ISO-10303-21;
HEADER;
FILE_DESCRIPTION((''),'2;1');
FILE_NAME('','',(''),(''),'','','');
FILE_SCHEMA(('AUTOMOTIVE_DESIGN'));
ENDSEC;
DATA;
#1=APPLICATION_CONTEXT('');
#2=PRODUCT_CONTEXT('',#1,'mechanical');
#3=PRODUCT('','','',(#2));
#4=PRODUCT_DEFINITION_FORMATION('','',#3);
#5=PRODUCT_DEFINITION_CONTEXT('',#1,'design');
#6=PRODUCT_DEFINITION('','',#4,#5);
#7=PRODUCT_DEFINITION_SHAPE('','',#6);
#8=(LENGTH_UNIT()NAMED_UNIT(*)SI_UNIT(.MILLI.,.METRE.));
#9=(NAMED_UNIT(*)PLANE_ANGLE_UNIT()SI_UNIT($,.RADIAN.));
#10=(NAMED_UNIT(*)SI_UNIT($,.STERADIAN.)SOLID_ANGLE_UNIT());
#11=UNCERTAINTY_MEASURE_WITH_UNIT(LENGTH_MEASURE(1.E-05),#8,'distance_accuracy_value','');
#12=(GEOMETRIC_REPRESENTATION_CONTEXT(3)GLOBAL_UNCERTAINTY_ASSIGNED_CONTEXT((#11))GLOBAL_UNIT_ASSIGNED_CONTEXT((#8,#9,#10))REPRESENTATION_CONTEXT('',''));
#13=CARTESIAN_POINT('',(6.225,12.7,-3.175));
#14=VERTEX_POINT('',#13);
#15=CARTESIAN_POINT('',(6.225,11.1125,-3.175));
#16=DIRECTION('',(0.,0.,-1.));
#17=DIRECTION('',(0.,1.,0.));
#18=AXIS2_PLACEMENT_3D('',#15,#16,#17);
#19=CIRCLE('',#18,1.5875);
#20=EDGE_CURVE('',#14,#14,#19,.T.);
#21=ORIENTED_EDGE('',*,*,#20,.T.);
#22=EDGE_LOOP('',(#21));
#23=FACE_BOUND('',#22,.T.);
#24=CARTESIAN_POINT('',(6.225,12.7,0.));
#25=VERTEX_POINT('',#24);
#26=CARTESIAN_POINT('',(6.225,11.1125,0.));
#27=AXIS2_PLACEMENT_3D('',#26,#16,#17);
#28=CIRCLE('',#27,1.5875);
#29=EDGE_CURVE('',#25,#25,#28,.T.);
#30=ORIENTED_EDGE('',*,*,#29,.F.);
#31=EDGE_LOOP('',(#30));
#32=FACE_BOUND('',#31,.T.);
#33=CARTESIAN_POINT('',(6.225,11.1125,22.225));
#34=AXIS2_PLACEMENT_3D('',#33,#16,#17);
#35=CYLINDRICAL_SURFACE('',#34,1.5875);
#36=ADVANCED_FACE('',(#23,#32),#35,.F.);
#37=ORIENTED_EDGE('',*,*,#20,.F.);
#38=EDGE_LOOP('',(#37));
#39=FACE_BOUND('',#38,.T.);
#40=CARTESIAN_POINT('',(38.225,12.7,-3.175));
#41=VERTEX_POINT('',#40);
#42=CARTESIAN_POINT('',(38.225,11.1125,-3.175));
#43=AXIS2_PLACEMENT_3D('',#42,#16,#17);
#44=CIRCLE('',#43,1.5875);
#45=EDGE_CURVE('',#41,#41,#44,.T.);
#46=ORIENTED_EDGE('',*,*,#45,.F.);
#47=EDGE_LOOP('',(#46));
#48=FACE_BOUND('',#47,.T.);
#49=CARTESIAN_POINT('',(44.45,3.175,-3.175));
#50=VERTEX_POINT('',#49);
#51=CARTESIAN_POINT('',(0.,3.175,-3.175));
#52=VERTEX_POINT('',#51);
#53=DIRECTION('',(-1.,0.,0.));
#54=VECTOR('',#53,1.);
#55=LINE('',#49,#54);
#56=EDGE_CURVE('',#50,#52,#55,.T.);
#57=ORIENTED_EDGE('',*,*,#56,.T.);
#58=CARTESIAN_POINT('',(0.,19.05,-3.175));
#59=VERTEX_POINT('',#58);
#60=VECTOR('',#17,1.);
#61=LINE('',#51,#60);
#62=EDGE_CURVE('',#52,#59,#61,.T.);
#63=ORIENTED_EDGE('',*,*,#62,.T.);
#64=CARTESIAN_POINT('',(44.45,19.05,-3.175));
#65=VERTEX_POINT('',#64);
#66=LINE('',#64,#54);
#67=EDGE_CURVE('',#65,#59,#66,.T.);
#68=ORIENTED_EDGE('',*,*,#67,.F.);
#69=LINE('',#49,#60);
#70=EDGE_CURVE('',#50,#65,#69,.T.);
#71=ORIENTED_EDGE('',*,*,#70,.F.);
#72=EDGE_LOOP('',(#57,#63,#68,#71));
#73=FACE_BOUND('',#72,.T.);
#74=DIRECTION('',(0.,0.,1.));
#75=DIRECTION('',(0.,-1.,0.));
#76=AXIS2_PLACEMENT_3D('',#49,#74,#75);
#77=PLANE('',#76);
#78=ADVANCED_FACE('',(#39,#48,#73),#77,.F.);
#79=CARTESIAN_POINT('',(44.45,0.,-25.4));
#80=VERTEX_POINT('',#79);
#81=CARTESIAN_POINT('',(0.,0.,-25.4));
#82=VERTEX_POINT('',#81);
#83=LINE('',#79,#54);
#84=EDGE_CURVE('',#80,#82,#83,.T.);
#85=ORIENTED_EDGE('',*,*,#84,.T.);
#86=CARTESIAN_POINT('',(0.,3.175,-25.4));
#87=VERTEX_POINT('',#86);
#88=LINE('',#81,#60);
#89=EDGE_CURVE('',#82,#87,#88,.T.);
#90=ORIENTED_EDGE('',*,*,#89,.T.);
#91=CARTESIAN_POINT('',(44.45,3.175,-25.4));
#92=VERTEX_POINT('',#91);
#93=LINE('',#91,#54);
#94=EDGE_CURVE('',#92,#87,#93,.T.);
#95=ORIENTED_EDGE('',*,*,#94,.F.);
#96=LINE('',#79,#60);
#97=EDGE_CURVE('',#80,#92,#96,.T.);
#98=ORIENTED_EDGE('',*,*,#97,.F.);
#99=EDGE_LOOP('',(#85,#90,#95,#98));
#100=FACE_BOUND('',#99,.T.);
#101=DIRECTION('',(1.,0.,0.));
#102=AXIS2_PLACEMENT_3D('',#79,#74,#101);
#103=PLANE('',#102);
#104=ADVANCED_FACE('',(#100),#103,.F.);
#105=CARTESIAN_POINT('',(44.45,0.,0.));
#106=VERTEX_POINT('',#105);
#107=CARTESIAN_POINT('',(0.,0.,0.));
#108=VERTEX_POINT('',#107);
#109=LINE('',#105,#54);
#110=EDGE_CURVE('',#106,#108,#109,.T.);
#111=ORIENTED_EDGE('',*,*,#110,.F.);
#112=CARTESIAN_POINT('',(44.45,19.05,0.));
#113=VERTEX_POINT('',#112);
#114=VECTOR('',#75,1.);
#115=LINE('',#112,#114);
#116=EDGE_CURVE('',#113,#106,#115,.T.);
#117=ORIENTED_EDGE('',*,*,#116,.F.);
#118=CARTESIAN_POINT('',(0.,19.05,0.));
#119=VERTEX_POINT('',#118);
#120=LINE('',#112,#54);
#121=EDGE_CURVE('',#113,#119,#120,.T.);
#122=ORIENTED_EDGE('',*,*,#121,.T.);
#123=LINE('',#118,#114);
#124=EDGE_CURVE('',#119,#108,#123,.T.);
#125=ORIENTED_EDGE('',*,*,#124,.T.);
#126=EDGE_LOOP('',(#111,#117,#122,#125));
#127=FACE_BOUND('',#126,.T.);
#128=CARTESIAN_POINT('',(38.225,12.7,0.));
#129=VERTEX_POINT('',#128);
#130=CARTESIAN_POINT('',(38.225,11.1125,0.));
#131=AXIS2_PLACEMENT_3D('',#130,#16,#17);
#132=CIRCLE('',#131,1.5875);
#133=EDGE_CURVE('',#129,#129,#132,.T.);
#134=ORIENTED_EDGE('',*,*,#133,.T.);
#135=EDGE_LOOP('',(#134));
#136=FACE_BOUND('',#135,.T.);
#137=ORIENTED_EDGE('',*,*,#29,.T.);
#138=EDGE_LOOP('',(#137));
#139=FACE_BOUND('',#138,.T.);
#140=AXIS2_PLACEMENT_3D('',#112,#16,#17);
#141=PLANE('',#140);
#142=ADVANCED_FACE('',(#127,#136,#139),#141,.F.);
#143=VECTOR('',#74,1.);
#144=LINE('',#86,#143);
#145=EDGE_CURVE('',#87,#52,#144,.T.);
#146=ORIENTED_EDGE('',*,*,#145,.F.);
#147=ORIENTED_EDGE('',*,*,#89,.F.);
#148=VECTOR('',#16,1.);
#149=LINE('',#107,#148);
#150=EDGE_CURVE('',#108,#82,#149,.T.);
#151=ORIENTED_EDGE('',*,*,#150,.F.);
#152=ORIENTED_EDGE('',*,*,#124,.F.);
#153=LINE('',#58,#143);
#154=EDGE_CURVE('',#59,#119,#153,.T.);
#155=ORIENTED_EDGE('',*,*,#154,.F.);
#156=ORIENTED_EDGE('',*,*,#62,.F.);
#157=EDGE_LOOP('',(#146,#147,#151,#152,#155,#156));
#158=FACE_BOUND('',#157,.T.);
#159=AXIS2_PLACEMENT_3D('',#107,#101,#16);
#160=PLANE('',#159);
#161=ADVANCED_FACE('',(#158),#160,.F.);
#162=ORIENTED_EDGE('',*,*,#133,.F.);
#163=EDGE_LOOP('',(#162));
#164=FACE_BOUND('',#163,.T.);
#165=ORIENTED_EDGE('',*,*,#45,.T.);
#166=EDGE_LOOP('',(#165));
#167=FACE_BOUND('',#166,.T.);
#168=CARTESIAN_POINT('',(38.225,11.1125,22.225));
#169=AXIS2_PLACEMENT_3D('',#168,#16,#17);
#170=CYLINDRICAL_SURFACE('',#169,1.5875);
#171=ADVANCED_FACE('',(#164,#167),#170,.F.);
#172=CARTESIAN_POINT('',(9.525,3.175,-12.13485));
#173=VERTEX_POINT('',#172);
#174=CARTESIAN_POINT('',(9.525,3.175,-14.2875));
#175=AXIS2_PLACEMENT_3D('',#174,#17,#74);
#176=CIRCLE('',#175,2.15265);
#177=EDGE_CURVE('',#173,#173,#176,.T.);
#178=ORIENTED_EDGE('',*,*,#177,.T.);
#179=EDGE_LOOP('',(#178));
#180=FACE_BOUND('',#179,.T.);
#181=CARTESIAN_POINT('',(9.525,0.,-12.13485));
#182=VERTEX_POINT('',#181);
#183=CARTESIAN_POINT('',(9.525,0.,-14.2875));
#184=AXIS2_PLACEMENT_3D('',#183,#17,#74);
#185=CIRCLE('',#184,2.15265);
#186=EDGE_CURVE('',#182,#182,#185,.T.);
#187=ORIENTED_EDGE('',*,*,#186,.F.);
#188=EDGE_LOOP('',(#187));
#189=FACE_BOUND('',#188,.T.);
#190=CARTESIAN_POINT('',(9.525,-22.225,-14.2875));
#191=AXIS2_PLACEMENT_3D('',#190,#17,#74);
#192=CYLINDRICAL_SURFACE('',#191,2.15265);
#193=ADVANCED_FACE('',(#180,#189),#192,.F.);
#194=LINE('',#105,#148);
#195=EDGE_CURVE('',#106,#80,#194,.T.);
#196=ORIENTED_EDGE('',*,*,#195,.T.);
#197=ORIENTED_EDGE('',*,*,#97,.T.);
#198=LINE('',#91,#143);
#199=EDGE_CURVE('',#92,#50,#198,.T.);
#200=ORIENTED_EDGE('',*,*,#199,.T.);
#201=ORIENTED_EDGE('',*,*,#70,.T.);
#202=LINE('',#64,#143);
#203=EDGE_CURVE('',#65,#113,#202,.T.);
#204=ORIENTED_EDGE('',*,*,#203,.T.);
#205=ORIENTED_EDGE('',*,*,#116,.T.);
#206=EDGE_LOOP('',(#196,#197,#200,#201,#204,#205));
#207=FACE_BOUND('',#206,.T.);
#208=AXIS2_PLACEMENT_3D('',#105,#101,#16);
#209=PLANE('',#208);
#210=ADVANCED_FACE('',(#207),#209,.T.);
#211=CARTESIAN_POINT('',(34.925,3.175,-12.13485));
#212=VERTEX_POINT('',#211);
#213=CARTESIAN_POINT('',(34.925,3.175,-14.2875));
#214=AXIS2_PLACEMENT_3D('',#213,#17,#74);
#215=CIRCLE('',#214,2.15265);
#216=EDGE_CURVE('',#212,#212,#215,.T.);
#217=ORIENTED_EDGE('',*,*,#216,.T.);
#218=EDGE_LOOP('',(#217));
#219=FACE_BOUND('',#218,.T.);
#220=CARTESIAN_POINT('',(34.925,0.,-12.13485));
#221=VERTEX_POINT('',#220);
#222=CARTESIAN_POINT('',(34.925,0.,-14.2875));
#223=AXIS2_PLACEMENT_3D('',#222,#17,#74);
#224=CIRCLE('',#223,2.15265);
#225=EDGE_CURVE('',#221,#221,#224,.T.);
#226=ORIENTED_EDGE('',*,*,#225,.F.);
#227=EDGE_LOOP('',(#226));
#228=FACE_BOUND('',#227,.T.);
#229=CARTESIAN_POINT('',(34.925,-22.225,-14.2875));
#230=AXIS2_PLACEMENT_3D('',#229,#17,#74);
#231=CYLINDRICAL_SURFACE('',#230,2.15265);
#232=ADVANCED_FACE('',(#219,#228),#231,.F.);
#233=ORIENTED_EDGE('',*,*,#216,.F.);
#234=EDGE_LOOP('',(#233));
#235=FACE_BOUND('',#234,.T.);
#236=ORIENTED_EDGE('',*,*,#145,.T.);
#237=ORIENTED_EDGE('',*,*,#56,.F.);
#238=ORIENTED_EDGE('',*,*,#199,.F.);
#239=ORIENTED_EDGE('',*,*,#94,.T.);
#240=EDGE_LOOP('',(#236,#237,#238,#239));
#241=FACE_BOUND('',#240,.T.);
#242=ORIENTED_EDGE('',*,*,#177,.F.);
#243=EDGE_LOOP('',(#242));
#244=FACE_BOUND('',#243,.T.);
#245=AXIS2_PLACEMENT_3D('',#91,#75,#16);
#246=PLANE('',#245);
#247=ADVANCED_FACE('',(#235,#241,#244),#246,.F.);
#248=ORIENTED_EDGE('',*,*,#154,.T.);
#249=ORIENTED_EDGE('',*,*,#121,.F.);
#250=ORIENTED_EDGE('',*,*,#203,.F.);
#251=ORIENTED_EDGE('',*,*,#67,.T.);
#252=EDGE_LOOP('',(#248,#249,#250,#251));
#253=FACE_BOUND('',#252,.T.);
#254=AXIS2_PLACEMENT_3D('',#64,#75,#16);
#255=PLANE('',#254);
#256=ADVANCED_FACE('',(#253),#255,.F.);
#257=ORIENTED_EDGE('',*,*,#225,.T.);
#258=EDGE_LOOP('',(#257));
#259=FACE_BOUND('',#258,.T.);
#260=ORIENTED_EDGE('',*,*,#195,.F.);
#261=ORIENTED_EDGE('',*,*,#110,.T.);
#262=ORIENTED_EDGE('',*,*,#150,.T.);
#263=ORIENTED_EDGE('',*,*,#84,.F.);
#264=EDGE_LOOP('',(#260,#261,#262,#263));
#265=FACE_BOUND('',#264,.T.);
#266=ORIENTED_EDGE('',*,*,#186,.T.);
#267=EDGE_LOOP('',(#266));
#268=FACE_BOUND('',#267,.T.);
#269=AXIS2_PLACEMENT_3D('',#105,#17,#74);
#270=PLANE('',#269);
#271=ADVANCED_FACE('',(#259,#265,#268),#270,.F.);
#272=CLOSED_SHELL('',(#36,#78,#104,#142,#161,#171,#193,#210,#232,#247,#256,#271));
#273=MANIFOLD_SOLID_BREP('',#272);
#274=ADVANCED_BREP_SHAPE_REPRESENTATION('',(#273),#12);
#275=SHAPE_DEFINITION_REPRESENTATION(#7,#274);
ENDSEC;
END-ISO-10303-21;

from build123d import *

# Parameters (mm, degrees)
BOSS_EXTRUDE1_DEPTH = 44.45
SKETCH3_R           = 1.5875
CUT_EXTRUDE1_DEPTH  = 25.4
CUT_EXTRUDE2_DEPTH  = 25.4


with BuildPart() as part:
    # Sketch1 → Boss-Extrude1 (new body)
    with BuildSketch(Plane(origin=(0, 0, 0), x_dir=(0, 0, -1), z_dir=(1, 0, 0))):
        Polygon((0, 19.05), (0, 0), (25.4, 0), (25.4, 3.175), (3.175, 3.175), (3.175, 19.05), align=None)
    extrude(amount=BOSS_EXTRUDE1_DEPTH)

    # Sketch3 → Cut-Extrude1 (cut)
    with BuildSketch(Plane(origin=(0, 0, -3.175), x_dir=(-1, 0, 0), z_dir=(0, 0, -1))):
        with Locations(Location((-38.225, 11.1125, 0), (0, 0, 90))):
            Circle(SKETCH3_R)
        with Locations(Location((-6.225, 11.1125, 0), (0, 0, 90))):
            Circle(SKETCH3_R)
    extrude(amount=-CUT_EXTRUDE1_DEPTH, mode=Mode.SUBTRACT)

    # Sketch4 → Cut-Extrude2 (cut)
    with BuildSketch(Plane(origin=(0, 3.175, 0), x_dir=(1, 0, 0), z_dir=(0, 1, 0))):
        with BuildLine():
            ThreePointArc((37.07765, 14.2875), (34.925, 16.44015), (32.77235, 14.2875))
            Line((32.77235, 14.2875), (34.925, 14.2875))
            Line((34.925, 14.2875), (37.07765, 14.2875))
        make_face()
        with BuildLine():
            Line((34.925, 14.2875), (32.77235, 14.2875))
            ThreePointArc((32.77235, 14.2875), (34.925, 12.13485), (37.07765, 14.2875))
            Line((37.07765, 14.2875), (34.925, 14.2875))
        make_face()
        with BuildLine():
            Line((7.37235, 14.2875), (9.525, 14.2875))
            Line((9.525, 14.2875), (11.67765, 14.2875))
            ThreePointArc((11.67765, 14.2875), (9.525, 16.44015), (7.37235, 14.2875))
        make_face()
        with BuildLine():
            Line((11.67765, 14.2875), (9.525, 14.2875))
            Line((9.525, 14.2875), (7.37235, 14.2875))
            ThreePointArc((7.37235, 14.2875), (9.525, 12.13485), (11.67765, 14.2875))
        make_face()
    extrude(amount=-CUT_EXTRUDE2_DEPTH, mode=Mode.SUBTRACT)


solid = part.part
